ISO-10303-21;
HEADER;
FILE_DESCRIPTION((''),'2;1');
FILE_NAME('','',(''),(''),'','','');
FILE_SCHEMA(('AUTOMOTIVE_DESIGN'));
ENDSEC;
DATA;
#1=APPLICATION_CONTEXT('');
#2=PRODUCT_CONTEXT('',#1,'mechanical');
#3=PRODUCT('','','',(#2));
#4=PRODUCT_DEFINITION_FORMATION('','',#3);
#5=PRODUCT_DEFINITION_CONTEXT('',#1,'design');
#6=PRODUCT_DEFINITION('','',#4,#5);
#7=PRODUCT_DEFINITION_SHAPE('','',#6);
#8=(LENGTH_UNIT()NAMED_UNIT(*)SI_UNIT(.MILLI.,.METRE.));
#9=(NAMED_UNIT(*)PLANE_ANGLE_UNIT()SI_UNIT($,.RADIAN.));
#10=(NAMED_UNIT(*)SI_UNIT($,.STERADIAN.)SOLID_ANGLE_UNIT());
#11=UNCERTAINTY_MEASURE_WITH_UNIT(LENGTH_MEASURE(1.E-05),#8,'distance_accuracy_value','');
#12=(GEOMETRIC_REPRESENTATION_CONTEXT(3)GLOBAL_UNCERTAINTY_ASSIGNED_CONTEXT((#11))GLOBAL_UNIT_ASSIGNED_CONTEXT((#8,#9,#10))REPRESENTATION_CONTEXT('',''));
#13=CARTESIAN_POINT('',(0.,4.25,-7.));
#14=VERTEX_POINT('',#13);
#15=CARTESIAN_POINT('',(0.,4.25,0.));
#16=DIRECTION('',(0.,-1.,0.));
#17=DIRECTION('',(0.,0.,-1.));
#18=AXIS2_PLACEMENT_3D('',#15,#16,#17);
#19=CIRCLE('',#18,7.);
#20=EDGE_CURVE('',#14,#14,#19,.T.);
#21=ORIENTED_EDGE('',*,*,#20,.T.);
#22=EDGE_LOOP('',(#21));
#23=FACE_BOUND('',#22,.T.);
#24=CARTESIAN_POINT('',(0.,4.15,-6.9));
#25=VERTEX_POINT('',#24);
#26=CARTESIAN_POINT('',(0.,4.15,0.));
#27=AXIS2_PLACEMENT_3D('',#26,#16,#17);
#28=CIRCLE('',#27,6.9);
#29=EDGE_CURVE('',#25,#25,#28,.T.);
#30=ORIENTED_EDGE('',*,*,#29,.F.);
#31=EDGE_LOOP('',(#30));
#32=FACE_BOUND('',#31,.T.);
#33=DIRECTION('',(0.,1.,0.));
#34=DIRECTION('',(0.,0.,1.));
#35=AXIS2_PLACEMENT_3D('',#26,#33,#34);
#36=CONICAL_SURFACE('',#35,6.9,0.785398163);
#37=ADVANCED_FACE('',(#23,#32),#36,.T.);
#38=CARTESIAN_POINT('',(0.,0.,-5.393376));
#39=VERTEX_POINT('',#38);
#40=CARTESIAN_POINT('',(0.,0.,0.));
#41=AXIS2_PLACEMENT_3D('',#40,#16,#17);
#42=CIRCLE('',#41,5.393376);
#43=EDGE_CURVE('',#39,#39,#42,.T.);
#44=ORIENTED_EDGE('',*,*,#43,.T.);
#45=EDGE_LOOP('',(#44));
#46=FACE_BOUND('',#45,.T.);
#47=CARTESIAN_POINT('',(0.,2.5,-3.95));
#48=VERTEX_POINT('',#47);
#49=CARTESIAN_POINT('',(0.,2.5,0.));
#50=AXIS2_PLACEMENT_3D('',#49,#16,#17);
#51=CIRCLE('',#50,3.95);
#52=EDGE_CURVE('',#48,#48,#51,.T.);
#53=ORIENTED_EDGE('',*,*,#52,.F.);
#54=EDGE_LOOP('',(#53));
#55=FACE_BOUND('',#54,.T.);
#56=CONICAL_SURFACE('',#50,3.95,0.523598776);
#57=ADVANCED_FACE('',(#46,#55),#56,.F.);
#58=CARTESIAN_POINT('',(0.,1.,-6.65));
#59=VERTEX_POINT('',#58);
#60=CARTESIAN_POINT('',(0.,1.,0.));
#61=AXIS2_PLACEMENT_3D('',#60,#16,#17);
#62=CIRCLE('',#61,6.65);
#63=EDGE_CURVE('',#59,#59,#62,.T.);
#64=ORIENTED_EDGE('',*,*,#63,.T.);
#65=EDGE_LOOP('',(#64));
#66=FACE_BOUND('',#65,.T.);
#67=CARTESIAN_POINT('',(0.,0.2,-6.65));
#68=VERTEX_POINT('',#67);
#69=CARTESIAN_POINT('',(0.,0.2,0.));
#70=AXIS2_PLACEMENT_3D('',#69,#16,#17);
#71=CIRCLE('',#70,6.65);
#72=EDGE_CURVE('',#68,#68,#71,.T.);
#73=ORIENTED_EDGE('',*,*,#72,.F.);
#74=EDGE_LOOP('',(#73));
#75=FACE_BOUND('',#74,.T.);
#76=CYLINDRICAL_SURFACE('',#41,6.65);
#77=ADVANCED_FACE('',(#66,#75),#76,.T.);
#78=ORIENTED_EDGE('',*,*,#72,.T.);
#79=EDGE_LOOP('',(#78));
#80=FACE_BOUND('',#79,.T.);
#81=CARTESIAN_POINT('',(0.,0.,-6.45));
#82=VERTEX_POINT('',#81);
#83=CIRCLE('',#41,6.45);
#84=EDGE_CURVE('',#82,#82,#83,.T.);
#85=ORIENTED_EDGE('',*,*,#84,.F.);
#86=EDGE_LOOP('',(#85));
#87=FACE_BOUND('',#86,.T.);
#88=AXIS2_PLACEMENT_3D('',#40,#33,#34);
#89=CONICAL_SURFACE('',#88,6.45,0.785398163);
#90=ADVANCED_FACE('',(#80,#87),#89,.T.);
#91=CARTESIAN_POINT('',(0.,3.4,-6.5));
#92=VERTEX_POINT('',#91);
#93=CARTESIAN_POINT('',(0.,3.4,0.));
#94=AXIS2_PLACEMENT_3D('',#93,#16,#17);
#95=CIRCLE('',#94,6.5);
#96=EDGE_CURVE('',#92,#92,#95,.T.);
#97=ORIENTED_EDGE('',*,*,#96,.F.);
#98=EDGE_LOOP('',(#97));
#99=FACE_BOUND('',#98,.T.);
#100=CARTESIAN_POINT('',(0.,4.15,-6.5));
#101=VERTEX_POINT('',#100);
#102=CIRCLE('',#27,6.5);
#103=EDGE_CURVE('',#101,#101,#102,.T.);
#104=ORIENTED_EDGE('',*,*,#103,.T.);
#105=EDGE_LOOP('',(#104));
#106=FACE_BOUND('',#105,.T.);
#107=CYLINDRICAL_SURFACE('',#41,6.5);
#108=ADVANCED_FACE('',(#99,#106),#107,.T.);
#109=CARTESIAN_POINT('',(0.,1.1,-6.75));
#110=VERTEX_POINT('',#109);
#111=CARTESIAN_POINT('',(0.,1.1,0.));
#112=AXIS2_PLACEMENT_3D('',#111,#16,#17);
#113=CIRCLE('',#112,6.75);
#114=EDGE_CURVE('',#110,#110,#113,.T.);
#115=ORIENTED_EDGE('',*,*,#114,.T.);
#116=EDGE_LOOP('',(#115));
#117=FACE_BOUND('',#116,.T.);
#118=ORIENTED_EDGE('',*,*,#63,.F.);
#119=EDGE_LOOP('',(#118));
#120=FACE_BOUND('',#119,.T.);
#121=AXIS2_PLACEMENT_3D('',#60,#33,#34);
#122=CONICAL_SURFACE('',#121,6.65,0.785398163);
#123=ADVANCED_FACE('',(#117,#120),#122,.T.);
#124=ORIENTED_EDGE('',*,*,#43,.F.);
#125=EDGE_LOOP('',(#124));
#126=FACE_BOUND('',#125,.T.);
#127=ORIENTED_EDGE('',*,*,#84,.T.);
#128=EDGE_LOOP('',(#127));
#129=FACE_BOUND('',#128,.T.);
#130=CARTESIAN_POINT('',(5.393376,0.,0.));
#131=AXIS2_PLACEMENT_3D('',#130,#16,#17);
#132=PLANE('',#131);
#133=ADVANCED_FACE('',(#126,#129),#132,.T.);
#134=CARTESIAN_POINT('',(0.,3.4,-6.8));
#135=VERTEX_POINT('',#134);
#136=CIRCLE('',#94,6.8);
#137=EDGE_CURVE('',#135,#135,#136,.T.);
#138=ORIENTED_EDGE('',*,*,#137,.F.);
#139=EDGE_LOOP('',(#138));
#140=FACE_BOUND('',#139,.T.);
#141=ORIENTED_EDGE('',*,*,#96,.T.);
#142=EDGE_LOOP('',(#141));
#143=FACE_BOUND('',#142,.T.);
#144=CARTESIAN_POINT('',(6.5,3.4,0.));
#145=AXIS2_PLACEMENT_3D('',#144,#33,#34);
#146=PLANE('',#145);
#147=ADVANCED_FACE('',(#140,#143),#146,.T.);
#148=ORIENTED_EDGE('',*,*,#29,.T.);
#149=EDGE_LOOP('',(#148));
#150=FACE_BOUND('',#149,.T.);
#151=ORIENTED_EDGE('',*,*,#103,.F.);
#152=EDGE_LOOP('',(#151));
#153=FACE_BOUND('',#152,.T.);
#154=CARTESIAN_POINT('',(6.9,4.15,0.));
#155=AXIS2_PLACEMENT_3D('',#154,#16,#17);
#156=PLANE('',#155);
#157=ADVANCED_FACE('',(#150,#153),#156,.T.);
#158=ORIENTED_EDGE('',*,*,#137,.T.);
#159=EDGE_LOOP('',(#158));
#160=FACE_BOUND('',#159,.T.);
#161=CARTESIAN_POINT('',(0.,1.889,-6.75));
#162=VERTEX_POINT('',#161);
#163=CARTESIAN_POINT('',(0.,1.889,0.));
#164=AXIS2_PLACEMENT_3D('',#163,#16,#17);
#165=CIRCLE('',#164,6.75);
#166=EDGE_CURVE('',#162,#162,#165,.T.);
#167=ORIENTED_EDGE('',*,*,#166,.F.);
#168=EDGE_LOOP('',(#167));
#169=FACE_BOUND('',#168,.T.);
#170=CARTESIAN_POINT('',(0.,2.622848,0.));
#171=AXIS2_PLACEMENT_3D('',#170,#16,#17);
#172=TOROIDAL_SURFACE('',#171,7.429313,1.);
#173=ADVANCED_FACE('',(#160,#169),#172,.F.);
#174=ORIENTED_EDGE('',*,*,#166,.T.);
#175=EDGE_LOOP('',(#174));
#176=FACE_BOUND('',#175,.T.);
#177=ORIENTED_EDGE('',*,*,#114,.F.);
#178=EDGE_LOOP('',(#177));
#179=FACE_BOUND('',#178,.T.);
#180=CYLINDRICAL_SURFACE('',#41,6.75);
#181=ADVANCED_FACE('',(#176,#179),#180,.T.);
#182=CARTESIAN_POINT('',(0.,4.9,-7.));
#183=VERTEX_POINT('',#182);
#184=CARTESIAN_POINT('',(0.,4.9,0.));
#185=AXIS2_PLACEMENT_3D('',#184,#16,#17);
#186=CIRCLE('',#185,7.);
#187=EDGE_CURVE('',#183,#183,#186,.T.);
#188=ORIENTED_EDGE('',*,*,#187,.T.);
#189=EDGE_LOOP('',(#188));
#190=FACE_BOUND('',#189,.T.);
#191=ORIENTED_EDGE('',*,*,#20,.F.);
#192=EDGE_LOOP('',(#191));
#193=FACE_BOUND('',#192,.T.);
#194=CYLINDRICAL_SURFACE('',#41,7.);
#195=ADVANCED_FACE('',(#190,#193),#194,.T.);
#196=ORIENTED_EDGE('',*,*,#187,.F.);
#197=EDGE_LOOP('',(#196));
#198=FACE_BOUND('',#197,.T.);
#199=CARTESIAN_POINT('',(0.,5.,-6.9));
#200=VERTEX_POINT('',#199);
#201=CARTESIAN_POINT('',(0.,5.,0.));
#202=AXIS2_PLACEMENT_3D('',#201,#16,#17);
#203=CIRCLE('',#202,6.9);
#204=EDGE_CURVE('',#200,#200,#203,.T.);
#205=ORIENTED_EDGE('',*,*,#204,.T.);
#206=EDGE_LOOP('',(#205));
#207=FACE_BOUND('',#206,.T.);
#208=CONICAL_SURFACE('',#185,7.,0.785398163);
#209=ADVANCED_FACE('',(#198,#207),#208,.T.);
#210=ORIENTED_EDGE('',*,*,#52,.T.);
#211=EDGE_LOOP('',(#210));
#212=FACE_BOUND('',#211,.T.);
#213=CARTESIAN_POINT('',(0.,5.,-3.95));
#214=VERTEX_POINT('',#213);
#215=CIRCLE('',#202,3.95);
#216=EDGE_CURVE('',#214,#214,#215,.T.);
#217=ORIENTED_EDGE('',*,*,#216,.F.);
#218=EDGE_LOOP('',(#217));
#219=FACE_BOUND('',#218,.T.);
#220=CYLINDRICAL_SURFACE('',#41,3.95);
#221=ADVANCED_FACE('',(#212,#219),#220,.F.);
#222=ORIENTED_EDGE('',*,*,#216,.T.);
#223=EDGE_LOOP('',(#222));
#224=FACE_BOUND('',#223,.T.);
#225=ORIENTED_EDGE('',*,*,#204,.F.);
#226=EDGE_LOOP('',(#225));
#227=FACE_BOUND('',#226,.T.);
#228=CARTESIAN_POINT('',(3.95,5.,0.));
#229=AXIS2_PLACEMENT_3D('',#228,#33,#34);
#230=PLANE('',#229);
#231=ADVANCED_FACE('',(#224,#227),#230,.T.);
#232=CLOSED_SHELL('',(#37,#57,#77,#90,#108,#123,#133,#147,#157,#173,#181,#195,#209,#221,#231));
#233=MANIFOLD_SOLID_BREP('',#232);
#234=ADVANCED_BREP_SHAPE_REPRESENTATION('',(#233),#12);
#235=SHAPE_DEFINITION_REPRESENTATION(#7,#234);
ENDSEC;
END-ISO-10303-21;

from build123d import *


with BuildPart() as part:
    # Croquis1 → Revolución1 (revolve)
    with BuildSketch(Plane.XY):
        with BuildLine():
            Line((6.45, 0), (6.65, 0.2))
            Line((6.65, 0.2), (6.65, 1))
            Line((6.65, 1), (6.75, 1.1))
            Line((6.75, 1.1), (6.75, 1.767))
            Line((6.75, 1.767), (6.75, 1.889))
            ThreePointArc((6.75, 1.889), (6.429860393, 2.6559209), (6.8, 3.4))
            Line((6.8, 3.4), (6.5, 3.4))
            Line((6.5, 3.4), (6.5, 4.15))
            Line((6.5, 4.15), (6.9, 4.15))
            Line((6.9, 4.15), (7, 4.25))
            Line((7, 4.25), (7, 4.9))
            Line((7, 4.9), (6.9, 5))
            Line((6.9, 5), (3.95, 5))
            Line((3.95, 5), (3.95, 2.5))
            Line((3.95, 2.5), (5.393375673, 0))
            Line((5.393375673, 0), (6.45, 0))
        make_face()
    revolve(axis=Axis((0, 0, 0), (0, 1, 0)))


solid = part.part
